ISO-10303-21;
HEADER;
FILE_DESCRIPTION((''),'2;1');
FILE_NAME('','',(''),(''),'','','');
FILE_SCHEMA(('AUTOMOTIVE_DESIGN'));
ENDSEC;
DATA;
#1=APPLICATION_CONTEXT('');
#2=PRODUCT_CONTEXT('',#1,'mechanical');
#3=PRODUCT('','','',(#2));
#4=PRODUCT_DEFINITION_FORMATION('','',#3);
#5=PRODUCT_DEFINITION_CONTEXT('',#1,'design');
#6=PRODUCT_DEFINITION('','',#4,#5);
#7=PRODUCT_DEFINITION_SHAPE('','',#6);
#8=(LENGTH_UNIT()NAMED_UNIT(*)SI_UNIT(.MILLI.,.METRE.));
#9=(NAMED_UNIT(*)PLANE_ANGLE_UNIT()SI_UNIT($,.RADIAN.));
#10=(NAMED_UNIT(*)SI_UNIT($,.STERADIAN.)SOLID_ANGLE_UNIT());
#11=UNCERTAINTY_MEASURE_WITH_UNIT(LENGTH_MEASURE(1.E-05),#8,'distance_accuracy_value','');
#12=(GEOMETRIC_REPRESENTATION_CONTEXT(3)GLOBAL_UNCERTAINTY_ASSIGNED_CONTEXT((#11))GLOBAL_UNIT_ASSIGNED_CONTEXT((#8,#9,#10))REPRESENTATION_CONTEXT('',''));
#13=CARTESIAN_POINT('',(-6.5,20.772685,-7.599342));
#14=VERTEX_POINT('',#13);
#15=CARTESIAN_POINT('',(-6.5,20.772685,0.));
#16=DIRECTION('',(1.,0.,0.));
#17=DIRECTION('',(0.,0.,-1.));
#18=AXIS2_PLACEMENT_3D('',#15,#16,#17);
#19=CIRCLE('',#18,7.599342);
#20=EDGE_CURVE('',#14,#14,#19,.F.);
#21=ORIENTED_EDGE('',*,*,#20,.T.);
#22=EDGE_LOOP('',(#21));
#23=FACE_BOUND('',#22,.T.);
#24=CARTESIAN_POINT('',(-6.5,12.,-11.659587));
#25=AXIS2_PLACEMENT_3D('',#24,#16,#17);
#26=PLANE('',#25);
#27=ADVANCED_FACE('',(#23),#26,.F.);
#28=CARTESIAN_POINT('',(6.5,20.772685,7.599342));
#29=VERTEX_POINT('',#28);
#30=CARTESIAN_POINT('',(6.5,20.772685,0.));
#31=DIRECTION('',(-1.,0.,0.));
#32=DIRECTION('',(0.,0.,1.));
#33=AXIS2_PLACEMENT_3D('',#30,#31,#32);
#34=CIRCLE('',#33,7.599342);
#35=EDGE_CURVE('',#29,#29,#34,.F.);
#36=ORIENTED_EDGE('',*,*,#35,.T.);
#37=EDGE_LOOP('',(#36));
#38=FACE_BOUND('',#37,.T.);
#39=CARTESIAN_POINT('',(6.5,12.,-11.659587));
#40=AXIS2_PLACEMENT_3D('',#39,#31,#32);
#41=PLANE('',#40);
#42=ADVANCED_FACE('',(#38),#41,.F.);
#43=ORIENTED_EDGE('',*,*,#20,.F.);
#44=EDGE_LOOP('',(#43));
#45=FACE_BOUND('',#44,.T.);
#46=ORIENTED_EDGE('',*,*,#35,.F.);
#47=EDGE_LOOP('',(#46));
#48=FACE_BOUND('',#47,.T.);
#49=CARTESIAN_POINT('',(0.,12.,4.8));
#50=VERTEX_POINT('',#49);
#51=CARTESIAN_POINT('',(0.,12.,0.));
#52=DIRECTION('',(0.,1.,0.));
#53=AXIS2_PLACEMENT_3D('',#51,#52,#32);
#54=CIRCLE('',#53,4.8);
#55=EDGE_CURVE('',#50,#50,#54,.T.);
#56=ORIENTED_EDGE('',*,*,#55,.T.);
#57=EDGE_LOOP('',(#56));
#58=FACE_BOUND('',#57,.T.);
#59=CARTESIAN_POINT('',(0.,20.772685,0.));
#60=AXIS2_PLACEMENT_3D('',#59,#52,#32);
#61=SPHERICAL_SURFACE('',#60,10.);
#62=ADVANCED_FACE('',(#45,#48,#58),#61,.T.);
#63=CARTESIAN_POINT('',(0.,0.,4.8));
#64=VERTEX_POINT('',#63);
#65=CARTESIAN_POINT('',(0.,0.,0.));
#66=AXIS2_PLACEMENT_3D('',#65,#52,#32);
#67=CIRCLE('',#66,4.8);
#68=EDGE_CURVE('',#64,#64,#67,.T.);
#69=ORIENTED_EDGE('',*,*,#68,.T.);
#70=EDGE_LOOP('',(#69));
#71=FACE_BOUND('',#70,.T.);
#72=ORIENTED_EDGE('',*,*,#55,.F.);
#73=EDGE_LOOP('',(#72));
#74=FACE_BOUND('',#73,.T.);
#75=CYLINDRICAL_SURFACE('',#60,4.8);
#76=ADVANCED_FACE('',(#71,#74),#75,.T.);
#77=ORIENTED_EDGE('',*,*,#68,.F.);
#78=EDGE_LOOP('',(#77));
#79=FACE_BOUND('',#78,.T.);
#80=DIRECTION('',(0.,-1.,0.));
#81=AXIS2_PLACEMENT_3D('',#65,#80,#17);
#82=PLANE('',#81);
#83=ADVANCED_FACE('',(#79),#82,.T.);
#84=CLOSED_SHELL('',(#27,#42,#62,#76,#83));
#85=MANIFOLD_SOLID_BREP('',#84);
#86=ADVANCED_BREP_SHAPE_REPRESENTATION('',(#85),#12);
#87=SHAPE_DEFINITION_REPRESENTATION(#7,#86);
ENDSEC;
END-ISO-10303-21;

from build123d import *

# Parameters (mm, degrees)
CROQUIS2_W            = 6.49448131
CROQUIS2_H            = 22.918025391
CORTAR_EXTRUIR1_DEPTH = 23


with BuildPart() as part:
    # Croquis1 → Revolución1 (revolve)
    with BuildSketch(Plane(origin=(0, 0, 0), x_dir=(0, 0, -1), z_dir=(1, 0, 0))):
        with BuildLine():
            Line((0, 0), (-4.8, 0))
            Line((-4.8, 0), (-4.8, 12))
            ThreePointArc((-4.8, 12), (-9.688313806, 23.249896135), (0, 30.77268488))
            Line((0, 30.77268488), (0, 0))
        make_face()
    revolve(axis=Axis((0, 20.77268488, 0), (0, -1, 0)))

    # Croquis2 → Cortar-Extruir1 (cut)
    with BuildSketch(Plane(origin=(0, 35, 0), x_dir=(1, 0, 0), z_dir=(0, 1, 0))):
        with Locations((-9.747240655, 0.200573946)):
            Rectangle(CROQUIS2_W, CROQUIS2_H)
        with Locations((9.747240655, 0.200573946)):
            Rectangle(CROQUIS2_W, CROQUIS2_H)
    extrude(amount=-CORTAR_EXTRUIR1_DEPTH, mode=Mode.SUBTRACT)


solid = part.part
